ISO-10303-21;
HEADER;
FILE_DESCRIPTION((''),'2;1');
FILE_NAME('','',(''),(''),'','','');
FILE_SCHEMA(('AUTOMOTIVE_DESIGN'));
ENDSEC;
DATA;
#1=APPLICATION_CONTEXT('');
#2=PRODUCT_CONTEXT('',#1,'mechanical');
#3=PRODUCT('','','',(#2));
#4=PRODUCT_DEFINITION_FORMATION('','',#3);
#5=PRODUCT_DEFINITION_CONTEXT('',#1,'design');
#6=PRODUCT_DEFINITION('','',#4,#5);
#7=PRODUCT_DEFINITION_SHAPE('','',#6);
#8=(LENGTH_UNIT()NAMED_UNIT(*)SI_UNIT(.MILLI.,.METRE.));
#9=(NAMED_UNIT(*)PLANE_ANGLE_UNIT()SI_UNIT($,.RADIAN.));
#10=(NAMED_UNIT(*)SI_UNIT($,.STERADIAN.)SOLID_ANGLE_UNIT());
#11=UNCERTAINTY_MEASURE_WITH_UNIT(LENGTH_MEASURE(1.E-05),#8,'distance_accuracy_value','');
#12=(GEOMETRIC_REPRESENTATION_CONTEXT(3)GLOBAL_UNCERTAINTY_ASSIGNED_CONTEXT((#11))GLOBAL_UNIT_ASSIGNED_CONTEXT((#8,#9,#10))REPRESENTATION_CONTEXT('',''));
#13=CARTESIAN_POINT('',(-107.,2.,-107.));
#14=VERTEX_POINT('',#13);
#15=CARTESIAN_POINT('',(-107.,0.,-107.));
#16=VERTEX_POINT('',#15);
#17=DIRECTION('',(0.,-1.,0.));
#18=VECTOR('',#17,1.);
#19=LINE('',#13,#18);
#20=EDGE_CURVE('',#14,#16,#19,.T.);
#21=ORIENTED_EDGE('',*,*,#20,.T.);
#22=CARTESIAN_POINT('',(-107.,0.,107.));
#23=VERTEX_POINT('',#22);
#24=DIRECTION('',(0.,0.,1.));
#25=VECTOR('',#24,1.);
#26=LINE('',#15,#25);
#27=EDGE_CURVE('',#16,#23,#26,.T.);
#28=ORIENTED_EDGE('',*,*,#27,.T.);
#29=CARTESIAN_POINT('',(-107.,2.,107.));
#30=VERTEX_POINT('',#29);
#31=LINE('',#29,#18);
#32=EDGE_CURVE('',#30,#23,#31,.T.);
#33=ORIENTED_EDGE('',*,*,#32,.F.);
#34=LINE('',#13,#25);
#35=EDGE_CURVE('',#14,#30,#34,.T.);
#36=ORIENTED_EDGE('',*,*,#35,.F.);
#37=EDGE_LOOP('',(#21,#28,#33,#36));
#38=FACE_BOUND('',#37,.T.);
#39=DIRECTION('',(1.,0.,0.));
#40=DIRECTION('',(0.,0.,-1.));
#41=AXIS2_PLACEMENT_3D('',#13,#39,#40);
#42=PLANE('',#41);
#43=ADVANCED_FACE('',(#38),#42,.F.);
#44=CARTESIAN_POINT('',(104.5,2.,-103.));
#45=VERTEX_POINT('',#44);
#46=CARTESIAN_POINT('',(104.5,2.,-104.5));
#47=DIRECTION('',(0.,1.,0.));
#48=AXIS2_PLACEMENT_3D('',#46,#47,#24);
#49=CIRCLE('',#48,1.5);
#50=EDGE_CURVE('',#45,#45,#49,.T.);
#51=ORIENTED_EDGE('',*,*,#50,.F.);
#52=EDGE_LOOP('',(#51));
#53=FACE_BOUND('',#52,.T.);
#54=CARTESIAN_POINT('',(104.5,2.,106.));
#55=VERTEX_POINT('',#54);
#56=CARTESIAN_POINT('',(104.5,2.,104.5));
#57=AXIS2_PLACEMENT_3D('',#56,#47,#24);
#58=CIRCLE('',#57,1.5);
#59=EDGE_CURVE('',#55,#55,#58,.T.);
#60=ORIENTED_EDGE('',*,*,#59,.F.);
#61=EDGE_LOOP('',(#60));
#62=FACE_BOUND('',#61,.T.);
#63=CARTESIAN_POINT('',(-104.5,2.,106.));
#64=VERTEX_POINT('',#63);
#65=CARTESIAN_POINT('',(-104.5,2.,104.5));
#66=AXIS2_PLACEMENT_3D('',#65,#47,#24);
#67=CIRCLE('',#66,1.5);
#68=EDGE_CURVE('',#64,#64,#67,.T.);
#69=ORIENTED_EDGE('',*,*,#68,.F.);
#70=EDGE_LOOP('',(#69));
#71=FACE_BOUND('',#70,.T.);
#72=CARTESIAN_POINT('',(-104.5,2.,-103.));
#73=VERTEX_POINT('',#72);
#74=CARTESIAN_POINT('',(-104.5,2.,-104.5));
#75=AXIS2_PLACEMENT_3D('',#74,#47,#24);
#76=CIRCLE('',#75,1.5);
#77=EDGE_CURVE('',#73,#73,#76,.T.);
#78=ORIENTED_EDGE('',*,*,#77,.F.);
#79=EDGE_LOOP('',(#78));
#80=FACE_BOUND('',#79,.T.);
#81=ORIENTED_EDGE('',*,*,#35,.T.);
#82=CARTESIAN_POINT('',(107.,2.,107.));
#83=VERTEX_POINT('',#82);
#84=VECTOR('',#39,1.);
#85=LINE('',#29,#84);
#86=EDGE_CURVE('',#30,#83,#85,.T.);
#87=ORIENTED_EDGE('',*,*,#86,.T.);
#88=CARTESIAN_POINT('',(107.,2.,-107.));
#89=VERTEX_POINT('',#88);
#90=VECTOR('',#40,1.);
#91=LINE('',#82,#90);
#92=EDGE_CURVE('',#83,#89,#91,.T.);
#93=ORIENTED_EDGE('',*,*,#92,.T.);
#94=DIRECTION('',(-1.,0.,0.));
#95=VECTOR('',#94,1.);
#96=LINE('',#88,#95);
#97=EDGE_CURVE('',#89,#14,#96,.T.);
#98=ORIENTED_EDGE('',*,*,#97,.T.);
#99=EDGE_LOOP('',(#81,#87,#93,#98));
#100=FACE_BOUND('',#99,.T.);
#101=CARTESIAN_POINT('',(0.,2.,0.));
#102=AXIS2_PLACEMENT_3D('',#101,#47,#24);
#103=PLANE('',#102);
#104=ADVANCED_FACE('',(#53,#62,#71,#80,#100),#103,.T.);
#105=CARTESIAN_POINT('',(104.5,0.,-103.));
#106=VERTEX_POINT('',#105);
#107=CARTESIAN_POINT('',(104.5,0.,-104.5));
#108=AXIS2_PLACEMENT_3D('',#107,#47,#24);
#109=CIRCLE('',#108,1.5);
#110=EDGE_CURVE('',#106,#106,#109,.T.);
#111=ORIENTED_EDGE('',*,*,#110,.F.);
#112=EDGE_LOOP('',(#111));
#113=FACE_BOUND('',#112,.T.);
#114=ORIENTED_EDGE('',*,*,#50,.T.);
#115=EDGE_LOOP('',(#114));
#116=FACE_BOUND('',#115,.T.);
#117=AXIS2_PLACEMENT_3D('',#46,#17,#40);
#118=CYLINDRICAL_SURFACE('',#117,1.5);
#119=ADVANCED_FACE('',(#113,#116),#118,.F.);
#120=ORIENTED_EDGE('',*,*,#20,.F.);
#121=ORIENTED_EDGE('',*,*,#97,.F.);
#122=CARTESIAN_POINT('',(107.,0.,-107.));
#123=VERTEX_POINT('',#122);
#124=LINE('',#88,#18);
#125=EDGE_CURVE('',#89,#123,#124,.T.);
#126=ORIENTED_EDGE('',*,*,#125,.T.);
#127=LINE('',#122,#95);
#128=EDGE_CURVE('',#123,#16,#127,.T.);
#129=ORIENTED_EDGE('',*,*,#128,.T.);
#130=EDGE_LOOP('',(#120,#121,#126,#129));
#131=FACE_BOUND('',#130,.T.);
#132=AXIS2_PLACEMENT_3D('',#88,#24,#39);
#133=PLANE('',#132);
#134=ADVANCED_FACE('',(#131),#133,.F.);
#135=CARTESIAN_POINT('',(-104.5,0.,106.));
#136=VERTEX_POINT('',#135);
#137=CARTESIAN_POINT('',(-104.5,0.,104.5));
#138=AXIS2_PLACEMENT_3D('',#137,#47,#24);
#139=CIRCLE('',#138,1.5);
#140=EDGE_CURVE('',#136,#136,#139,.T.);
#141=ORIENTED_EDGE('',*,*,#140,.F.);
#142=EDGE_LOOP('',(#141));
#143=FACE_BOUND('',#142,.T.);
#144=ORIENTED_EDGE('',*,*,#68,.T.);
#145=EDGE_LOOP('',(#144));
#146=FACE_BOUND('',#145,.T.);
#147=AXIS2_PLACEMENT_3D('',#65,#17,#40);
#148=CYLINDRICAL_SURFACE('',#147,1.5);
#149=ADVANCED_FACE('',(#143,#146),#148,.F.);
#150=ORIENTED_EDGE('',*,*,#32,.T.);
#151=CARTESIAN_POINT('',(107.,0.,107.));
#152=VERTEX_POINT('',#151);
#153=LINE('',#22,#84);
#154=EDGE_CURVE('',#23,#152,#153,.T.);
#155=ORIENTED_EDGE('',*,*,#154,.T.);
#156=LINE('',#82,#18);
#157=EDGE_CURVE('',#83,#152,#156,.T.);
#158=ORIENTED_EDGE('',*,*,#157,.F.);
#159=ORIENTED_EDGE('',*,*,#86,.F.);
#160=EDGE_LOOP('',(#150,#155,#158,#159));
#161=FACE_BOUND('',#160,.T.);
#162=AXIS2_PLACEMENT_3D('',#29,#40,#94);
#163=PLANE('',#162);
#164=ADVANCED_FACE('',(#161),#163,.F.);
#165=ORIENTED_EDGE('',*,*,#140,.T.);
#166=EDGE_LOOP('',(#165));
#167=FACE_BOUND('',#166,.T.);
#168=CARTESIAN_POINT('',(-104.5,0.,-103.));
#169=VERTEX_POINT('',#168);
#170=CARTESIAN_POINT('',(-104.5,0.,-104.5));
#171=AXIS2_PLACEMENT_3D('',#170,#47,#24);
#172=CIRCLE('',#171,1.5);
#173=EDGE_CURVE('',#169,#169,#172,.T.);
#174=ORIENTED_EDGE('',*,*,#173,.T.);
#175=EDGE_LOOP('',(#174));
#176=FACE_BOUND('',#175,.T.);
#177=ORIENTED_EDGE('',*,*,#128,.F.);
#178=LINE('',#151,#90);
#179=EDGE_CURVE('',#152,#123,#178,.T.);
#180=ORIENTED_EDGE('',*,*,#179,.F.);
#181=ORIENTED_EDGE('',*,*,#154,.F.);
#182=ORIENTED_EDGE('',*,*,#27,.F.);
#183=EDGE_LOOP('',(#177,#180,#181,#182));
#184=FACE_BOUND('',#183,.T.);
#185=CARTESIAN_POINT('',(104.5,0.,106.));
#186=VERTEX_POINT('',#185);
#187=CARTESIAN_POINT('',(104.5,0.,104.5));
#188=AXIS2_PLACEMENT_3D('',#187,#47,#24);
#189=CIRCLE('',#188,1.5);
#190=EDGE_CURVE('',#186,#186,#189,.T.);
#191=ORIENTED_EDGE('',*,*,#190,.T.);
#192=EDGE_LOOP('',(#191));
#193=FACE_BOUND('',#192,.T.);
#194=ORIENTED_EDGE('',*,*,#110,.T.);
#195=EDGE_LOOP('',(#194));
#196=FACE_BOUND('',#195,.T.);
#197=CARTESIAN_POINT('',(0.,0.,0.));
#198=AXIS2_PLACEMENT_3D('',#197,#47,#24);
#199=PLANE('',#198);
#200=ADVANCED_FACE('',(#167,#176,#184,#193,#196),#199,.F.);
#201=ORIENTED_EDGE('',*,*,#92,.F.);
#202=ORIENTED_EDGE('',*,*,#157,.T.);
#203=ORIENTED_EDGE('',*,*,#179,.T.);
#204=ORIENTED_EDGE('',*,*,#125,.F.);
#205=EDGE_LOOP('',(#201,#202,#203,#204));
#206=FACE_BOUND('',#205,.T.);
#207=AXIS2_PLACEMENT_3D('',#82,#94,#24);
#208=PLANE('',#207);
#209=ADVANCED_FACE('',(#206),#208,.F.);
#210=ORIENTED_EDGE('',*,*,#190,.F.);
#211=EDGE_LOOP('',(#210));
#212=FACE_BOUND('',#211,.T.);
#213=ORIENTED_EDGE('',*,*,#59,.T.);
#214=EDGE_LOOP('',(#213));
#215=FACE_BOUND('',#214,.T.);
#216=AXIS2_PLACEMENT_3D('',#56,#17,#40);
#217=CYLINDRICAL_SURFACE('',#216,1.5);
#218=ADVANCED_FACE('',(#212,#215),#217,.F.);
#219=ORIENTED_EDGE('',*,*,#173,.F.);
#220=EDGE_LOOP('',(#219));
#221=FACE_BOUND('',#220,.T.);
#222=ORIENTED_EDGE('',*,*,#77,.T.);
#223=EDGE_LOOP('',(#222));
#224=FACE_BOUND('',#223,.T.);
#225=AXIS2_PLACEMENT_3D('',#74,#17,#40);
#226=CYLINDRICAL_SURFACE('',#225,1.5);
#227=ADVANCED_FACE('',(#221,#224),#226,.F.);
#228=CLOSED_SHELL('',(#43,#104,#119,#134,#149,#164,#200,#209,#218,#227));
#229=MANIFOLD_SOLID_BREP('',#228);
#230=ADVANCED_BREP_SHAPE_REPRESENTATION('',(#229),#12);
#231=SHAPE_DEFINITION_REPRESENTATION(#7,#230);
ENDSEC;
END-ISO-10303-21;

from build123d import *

# Parameters (mm, degrees)
SKETCH1_W           = 214
SKETCH1_H           = 214
SKETCH1_R           = 1.5
BOSS_EXTRUDE1_DEPTH = 2


with BuildPart() as part:
    # Sketch1 → Boss-Extrude1 (new body)
    with BuildSketch(Plane(origin=(0, 0, 0), x_dir=(1, 0, 0), z_dir=(0, 1, 0))):
        Rectangle(SKETCH1_W, SKETCH1_H)
        with Locations((-104.5, 104.5)):
            Circle(SKETCH1_R, mode=Mode.SUBTRACT)
        with Locations((104.5, 104.5)):
            Circle(SKETCH1_R, mode=Mode.SUBTRACT)
        with Locations((104.5, -104.5)):
            Circle(SKETCH1_R, mode=Mode.SUBTRACT)
        with Locations((-104.5, -104.5)):
            Circle(SKETCH1_R, mode=Mode.SUBTRACT)
    extrude(amount=BOSS_EXTRUDE1_DEPTH)


solid = part.part
